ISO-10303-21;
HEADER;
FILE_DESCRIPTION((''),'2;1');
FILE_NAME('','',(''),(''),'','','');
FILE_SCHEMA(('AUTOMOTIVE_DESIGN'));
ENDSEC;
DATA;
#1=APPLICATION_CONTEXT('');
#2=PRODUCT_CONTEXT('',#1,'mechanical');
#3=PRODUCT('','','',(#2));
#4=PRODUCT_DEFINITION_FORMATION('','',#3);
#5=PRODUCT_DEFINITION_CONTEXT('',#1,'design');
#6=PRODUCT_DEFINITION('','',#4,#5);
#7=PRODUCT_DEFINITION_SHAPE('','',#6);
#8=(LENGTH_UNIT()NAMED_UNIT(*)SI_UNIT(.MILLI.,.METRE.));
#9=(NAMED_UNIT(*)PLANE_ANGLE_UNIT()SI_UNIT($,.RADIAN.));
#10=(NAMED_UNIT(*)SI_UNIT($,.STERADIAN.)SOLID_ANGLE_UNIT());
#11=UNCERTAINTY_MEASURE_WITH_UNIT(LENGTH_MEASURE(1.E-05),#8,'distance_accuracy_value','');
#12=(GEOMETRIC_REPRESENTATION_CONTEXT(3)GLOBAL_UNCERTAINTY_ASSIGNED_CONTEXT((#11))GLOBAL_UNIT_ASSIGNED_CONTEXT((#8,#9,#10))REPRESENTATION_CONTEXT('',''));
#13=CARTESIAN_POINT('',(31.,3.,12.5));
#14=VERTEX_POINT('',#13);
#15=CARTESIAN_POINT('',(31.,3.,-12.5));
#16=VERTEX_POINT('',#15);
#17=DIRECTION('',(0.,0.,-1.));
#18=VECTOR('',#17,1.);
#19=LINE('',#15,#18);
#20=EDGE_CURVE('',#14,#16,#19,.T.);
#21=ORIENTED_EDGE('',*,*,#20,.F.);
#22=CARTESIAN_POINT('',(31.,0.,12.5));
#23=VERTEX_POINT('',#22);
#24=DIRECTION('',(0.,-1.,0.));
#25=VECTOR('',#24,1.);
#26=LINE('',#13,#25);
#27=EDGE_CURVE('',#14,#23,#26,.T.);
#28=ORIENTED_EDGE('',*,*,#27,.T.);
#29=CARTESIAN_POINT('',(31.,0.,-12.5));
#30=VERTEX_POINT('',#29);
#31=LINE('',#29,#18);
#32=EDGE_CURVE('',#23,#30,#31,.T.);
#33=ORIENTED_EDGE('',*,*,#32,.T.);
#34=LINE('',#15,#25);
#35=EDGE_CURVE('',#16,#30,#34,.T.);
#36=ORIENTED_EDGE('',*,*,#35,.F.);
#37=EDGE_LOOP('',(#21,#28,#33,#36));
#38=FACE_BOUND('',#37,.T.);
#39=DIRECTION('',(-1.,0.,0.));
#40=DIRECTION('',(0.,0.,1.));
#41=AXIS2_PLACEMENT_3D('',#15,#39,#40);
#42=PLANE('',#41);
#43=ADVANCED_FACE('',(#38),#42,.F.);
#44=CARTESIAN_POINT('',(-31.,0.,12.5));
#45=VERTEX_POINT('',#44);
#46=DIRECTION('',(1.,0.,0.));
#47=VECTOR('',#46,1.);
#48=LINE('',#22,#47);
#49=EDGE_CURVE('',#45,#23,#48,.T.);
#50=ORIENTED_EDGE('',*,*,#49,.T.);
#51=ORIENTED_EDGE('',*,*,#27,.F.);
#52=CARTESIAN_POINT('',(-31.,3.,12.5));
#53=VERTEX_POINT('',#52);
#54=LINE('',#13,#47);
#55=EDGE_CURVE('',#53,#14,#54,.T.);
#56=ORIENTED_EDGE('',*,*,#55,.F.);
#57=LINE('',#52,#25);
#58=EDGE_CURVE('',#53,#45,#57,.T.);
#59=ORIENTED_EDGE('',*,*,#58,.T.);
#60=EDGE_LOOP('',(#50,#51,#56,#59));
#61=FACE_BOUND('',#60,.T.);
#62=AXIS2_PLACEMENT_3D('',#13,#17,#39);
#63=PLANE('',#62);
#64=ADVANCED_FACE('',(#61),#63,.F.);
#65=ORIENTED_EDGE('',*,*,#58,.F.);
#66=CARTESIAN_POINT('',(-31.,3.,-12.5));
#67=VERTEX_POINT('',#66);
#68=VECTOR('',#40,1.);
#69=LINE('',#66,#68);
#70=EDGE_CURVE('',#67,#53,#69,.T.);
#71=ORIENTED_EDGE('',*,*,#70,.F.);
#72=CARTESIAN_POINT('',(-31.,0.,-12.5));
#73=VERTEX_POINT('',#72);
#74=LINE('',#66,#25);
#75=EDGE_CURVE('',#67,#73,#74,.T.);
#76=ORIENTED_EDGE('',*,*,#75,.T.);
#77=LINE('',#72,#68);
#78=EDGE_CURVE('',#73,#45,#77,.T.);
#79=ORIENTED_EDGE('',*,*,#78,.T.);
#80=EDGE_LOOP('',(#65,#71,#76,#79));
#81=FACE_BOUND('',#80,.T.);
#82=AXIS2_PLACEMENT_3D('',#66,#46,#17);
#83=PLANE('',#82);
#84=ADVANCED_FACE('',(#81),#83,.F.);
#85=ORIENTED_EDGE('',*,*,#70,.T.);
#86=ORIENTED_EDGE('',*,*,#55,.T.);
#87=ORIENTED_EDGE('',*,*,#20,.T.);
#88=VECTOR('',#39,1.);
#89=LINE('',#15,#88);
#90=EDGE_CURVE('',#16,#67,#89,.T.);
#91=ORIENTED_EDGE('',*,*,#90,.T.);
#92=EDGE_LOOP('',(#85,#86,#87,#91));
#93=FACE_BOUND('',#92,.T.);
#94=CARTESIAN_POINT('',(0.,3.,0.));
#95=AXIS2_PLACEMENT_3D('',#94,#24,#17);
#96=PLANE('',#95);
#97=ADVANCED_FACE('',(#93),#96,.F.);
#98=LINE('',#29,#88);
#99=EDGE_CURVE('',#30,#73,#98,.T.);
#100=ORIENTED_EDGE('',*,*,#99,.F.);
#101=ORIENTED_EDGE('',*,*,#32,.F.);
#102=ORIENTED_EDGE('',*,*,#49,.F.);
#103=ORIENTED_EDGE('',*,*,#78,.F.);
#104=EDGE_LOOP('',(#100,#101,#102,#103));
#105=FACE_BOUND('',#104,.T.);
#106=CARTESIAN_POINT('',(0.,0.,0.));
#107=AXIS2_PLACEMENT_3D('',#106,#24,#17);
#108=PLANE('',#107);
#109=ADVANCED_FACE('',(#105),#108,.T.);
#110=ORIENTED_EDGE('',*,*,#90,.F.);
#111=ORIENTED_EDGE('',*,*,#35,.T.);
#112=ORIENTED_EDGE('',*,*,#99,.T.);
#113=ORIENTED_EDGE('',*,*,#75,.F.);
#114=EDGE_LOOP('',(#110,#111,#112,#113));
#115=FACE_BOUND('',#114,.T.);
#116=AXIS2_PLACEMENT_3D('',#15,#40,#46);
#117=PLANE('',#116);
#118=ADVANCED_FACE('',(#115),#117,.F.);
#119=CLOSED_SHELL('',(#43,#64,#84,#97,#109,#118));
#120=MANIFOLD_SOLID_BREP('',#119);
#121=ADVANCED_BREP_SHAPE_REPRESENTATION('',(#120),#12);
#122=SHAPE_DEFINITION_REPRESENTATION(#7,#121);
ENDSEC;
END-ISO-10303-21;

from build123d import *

# Parameters (mm, degrees)
ESQUISSE1_W        = 62
ESQUISSE1_H        = 25
BOSS_EXTRU_1_DEPTH = 3


with BuildPart() as part:
    # Esquisse1 → Boss.-Extru.1 (new body)
    with BuildSketch(Plane(origin=(0, 0, 0), x_dir=(1, 0, 0), z_dir=(0, 1, 0))):
        Rectangle(ESQUISSE1_W, ESQUISSE1_H)
    extrude(amount=BOSS_EXTRU_1_DEPTH)


solid = part.part
